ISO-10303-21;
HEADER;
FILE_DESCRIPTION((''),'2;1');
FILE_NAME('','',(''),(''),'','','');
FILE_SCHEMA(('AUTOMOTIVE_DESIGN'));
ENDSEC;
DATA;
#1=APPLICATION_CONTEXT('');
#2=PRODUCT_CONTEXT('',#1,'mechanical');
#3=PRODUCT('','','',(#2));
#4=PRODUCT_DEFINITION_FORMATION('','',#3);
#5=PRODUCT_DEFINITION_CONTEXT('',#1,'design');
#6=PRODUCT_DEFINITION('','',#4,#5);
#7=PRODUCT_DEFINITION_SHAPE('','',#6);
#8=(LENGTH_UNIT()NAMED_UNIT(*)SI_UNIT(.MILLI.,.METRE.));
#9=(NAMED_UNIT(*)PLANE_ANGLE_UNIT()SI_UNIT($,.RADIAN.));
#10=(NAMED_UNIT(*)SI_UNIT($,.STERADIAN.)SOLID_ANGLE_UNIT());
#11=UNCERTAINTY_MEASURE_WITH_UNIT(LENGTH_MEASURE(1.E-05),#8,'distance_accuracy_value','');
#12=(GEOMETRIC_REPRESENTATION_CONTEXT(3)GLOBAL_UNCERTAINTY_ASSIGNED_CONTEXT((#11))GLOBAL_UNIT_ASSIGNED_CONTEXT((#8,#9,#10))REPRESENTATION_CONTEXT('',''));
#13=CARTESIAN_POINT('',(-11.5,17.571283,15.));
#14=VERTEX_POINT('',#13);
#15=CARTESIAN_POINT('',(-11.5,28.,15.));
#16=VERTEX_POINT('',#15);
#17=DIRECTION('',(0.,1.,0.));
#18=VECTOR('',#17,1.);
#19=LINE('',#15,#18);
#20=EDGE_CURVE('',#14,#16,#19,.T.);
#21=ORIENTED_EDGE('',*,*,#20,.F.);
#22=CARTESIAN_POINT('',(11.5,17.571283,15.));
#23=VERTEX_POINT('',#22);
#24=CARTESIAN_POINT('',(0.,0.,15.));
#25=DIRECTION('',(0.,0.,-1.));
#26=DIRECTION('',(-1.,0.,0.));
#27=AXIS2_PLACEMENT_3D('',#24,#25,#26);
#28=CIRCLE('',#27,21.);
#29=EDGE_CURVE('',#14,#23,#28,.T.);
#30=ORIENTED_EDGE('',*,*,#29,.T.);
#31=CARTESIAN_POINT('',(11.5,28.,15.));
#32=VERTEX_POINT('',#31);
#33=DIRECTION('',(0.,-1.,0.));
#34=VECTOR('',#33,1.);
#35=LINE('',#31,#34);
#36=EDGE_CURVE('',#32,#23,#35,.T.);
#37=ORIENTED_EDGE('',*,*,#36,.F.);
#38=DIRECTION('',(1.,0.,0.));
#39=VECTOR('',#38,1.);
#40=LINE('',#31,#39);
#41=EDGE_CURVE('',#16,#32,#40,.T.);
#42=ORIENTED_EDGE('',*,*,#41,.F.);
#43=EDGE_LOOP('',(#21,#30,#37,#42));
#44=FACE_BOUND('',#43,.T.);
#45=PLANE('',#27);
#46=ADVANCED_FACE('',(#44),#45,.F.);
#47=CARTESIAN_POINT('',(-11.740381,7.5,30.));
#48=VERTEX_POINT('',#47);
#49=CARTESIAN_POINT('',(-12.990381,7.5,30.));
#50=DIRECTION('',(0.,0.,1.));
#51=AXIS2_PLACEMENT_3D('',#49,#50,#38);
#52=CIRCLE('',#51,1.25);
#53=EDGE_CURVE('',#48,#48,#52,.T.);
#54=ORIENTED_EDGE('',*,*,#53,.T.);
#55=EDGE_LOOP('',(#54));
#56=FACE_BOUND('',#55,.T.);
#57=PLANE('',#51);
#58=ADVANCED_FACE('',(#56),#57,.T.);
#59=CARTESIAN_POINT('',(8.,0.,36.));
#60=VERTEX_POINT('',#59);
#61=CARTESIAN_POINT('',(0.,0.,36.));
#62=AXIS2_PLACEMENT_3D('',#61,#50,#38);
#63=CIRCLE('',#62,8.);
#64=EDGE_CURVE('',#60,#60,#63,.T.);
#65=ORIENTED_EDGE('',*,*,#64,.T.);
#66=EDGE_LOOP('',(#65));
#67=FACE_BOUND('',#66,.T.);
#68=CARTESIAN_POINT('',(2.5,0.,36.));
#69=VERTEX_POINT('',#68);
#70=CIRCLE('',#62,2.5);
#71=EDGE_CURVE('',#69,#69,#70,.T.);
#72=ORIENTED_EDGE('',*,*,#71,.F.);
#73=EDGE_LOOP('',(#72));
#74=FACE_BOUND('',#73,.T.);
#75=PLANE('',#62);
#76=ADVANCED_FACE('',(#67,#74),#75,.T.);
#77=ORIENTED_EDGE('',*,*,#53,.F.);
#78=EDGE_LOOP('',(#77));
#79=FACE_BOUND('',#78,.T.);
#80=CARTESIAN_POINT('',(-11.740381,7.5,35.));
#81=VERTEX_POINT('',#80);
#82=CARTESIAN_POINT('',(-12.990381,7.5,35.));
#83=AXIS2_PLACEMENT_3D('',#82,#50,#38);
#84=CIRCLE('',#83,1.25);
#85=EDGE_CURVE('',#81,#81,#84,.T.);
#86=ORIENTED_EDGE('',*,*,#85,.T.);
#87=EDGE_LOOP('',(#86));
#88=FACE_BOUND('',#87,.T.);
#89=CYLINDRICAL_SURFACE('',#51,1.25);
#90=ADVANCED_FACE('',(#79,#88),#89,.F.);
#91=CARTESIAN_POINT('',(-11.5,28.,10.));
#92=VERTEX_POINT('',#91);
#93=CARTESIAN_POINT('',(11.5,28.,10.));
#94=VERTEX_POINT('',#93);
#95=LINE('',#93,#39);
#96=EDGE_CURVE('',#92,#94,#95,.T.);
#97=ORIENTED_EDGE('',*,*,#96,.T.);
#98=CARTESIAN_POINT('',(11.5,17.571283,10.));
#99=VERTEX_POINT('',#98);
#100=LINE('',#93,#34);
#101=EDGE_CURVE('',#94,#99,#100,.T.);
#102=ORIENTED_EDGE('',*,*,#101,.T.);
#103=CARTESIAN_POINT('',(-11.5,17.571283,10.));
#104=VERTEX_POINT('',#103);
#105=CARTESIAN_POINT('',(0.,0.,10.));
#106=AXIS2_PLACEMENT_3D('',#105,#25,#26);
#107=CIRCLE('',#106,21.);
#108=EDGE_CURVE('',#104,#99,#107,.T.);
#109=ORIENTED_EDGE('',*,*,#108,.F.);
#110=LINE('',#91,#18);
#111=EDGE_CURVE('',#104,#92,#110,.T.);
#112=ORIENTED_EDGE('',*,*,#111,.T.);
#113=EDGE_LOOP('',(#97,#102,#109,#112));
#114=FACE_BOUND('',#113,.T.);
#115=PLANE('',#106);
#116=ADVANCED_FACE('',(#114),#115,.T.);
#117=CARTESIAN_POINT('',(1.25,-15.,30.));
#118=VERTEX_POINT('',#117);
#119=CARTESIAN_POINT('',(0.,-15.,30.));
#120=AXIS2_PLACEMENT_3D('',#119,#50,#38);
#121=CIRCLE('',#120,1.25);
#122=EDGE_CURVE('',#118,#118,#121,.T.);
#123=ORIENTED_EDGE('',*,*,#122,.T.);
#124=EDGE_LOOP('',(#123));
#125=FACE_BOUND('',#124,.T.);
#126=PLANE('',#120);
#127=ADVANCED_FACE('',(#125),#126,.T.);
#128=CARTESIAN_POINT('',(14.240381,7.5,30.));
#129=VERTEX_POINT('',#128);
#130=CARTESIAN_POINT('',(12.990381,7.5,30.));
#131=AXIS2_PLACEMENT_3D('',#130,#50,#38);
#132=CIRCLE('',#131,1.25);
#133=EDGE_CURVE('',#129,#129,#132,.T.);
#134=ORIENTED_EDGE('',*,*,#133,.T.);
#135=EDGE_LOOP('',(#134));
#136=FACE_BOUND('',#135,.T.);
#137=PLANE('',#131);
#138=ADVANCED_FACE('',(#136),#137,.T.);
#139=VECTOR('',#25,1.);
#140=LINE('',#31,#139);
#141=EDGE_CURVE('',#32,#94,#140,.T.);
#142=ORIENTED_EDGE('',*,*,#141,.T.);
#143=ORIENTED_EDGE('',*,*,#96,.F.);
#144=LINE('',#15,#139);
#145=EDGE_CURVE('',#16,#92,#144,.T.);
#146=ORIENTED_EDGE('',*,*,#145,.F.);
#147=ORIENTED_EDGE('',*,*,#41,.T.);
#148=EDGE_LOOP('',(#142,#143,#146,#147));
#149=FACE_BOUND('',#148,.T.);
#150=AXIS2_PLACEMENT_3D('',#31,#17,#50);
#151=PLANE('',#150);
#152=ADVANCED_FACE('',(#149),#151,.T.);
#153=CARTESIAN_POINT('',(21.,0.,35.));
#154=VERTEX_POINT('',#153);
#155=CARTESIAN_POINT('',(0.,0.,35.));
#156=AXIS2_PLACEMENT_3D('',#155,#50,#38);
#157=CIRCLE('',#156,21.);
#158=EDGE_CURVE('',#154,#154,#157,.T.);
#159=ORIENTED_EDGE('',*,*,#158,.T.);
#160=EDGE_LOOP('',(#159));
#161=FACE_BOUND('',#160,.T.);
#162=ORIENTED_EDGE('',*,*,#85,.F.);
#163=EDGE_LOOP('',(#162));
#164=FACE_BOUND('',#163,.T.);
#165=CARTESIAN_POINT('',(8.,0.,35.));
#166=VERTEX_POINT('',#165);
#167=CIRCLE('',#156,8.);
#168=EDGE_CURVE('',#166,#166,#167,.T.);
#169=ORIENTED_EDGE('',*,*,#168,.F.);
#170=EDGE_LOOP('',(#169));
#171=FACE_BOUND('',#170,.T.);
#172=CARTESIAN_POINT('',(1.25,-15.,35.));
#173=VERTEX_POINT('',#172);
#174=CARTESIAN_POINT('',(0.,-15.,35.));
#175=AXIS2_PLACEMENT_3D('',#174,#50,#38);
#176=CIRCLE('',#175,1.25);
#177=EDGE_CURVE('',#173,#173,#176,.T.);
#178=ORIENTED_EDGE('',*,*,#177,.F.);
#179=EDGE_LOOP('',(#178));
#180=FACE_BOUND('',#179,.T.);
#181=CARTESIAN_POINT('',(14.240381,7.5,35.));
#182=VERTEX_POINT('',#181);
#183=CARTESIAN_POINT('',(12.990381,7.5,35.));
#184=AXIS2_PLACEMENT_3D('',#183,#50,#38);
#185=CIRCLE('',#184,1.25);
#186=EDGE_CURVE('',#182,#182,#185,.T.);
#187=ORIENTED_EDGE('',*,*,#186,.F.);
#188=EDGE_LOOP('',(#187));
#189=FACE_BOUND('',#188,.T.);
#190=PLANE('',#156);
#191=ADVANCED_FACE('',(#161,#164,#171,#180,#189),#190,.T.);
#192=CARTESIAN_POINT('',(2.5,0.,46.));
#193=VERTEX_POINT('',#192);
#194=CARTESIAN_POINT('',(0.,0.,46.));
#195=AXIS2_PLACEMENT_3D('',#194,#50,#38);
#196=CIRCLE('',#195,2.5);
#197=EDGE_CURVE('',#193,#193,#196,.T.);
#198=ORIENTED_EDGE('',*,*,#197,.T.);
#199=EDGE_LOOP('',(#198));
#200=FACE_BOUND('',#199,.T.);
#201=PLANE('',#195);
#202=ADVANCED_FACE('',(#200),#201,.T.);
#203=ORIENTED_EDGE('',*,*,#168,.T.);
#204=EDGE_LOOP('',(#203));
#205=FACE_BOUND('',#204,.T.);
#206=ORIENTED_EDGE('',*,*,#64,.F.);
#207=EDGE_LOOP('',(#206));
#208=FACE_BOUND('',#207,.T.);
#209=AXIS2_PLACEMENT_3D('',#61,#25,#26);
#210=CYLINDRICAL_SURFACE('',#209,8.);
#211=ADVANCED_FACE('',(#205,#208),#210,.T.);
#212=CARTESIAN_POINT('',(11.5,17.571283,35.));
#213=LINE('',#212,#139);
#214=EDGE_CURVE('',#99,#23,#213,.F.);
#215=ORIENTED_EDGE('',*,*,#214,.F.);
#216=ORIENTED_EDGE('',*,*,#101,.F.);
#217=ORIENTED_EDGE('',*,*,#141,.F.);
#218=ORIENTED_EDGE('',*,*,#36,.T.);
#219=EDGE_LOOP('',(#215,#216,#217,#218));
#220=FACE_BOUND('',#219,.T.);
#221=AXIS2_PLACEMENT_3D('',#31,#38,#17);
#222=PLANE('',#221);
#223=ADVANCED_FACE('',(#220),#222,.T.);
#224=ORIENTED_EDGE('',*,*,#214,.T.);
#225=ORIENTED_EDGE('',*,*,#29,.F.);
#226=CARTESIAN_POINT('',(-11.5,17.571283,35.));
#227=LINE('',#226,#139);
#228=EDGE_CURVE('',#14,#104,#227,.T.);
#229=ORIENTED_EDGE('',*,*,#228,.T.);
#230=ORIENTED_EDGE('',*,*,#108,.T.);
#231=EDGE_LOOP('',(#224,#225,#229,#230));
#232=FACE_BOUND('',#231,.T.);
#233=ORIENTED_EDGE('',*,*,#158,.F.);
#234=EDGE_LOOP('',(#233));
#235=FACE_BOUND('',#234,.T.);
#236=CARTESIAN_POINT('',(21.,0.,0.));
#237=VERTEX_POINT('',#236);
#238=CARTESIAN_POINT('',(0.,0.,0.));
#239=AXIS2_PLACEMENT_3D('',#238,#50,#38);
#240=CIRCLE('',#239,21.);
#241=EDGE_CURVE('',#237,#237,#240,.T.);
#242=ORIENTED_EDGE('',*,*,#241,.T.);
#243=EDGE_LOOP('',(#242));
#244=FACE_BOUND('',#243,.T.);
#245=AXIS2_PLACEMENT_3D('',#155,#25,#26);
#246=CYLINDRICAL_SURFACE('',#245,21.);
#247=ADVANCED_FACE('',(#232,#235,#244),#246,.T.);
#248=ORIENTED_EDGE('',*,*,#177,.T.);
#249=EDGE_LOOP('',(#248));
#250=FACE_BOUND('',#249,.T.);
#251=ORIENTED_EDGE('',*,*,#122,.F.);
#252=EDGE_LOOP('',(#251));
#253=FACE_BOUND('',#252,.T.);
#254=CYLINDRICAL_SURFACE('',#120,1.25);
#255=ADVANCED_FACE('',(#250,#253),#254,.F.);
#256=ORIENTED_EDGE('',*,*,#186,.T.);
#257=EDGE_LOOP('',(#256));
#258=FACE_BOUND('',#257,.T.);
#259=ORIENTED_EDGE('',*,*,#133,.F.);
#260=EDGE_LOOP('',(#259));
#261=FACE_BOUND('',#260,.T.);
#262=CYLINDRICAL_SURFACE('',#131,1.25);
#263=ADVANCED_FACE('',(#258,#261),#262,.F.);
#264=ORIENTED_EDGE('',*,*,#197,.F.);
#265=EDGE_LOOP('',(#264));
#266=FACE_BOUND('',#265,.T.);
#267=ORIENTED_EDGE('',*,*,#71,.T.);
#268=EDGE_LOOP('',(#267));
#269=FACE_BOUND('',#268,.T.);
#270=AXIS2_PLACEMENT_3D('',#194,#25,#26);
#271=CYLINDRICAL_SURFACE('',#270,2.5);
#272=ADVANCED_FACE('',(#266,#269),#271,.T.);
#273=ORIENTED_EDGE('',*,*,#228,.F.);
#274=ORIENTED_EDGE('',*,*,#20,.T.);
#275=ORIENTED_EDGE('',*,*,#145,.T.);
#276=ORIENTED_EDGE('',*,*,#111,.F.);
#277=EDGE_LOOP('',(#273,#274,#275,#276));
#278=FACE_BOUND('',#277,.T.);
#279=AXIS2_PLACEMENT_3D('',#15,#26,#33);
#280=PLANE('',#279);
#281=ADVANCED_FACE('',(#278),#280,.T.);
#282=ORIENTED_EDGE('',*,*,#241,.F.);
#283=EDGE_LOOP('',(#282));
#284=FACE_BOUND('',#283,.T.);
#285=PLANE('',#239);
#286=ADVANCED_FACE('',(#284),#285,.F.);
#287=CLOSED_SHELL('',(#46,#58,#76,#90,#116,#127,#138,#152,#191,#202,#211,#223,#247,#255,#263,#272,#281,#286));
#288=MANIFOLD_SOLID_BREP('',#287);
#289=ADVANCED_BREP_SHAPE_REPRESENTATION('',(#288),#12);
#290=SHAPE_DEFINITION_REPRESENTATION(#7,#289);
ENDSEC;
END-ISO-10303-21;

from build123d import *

# Parameters (mm, degrees)
SKETCH1_R           = 21
BOSS_EXTRUDE1_DEPTH = 35
SKETCH2_R           = 8
BOSS_EXTRUDE2_DEPTH = 1
SKETCH3_R           = 2.5
BOSS_EXTRUDE3_DEPTH = 10
BOSS_EXTRUDE4_START = -10
SKETCH4_W           = 23
SKETCH4_H           = 14.139392284
BOSS_EXTRUDE4_DEPTH = 5
SKETCH6_R           = 1.25
CUT_EXTRUDE1_DEPTH  = 5


with BuildPart() as part:
    # Sketch1 → Boss-Extrude1 (new body)
    with BuildSketch(Plane.XY):
        Circle(SKETCH1_R)
    extrude(amount=BOSS_EXTRUDE1_DEPTH)

    # Sketch2 → Boss-Extrude2 (add)
    with BuildSketch(Plane.XY.offset(35)):
        Circle(SKETCH2_R)
    extrude(amount=BOSS_EXTRUDE2_DEPTH)

    # Sketch3 → Boss-Extrude3 (add)
    with BuildSketch(Plane.XY.offset(36)):
        Circle(SKETCH3_R)
    extrude(amount=BOSS_EXTRUDE3_DEPTH)

    # Sketch4 → Boss-Extrude4 (add)
    with BuildSketch(Plane(origin=(0, 0, 0), x_dir=(-1, 0, 0), z_dir=(0, 0, -1)).offset(BOSS_EXTRUDE4_START)):
        with Locations((0, 20.930303858)):
            Rectangle(SKETCH4_W, SKETCH4_H)
    extrude(amount=-BOSS_EXTRUDE4_DEPTH)

    # Sketch6 → Cut-Extrude1 (cut)
    with BuildSketch(Plane.XY.offset(35)):
        with Locations((0, -15)):
            Circle(SKETCH6_R)
        with Locations((-12.990381057, 7.5)):
            Circle(SKETCH6_R)
        with Locations((12.990381057, 7.5)):
            Circle(SKETCH6_R)
    extrude(amount=-CUT_EXTRUDE1_DEPTH, mode=Mode.SUBTRACT)


solid = part.part
